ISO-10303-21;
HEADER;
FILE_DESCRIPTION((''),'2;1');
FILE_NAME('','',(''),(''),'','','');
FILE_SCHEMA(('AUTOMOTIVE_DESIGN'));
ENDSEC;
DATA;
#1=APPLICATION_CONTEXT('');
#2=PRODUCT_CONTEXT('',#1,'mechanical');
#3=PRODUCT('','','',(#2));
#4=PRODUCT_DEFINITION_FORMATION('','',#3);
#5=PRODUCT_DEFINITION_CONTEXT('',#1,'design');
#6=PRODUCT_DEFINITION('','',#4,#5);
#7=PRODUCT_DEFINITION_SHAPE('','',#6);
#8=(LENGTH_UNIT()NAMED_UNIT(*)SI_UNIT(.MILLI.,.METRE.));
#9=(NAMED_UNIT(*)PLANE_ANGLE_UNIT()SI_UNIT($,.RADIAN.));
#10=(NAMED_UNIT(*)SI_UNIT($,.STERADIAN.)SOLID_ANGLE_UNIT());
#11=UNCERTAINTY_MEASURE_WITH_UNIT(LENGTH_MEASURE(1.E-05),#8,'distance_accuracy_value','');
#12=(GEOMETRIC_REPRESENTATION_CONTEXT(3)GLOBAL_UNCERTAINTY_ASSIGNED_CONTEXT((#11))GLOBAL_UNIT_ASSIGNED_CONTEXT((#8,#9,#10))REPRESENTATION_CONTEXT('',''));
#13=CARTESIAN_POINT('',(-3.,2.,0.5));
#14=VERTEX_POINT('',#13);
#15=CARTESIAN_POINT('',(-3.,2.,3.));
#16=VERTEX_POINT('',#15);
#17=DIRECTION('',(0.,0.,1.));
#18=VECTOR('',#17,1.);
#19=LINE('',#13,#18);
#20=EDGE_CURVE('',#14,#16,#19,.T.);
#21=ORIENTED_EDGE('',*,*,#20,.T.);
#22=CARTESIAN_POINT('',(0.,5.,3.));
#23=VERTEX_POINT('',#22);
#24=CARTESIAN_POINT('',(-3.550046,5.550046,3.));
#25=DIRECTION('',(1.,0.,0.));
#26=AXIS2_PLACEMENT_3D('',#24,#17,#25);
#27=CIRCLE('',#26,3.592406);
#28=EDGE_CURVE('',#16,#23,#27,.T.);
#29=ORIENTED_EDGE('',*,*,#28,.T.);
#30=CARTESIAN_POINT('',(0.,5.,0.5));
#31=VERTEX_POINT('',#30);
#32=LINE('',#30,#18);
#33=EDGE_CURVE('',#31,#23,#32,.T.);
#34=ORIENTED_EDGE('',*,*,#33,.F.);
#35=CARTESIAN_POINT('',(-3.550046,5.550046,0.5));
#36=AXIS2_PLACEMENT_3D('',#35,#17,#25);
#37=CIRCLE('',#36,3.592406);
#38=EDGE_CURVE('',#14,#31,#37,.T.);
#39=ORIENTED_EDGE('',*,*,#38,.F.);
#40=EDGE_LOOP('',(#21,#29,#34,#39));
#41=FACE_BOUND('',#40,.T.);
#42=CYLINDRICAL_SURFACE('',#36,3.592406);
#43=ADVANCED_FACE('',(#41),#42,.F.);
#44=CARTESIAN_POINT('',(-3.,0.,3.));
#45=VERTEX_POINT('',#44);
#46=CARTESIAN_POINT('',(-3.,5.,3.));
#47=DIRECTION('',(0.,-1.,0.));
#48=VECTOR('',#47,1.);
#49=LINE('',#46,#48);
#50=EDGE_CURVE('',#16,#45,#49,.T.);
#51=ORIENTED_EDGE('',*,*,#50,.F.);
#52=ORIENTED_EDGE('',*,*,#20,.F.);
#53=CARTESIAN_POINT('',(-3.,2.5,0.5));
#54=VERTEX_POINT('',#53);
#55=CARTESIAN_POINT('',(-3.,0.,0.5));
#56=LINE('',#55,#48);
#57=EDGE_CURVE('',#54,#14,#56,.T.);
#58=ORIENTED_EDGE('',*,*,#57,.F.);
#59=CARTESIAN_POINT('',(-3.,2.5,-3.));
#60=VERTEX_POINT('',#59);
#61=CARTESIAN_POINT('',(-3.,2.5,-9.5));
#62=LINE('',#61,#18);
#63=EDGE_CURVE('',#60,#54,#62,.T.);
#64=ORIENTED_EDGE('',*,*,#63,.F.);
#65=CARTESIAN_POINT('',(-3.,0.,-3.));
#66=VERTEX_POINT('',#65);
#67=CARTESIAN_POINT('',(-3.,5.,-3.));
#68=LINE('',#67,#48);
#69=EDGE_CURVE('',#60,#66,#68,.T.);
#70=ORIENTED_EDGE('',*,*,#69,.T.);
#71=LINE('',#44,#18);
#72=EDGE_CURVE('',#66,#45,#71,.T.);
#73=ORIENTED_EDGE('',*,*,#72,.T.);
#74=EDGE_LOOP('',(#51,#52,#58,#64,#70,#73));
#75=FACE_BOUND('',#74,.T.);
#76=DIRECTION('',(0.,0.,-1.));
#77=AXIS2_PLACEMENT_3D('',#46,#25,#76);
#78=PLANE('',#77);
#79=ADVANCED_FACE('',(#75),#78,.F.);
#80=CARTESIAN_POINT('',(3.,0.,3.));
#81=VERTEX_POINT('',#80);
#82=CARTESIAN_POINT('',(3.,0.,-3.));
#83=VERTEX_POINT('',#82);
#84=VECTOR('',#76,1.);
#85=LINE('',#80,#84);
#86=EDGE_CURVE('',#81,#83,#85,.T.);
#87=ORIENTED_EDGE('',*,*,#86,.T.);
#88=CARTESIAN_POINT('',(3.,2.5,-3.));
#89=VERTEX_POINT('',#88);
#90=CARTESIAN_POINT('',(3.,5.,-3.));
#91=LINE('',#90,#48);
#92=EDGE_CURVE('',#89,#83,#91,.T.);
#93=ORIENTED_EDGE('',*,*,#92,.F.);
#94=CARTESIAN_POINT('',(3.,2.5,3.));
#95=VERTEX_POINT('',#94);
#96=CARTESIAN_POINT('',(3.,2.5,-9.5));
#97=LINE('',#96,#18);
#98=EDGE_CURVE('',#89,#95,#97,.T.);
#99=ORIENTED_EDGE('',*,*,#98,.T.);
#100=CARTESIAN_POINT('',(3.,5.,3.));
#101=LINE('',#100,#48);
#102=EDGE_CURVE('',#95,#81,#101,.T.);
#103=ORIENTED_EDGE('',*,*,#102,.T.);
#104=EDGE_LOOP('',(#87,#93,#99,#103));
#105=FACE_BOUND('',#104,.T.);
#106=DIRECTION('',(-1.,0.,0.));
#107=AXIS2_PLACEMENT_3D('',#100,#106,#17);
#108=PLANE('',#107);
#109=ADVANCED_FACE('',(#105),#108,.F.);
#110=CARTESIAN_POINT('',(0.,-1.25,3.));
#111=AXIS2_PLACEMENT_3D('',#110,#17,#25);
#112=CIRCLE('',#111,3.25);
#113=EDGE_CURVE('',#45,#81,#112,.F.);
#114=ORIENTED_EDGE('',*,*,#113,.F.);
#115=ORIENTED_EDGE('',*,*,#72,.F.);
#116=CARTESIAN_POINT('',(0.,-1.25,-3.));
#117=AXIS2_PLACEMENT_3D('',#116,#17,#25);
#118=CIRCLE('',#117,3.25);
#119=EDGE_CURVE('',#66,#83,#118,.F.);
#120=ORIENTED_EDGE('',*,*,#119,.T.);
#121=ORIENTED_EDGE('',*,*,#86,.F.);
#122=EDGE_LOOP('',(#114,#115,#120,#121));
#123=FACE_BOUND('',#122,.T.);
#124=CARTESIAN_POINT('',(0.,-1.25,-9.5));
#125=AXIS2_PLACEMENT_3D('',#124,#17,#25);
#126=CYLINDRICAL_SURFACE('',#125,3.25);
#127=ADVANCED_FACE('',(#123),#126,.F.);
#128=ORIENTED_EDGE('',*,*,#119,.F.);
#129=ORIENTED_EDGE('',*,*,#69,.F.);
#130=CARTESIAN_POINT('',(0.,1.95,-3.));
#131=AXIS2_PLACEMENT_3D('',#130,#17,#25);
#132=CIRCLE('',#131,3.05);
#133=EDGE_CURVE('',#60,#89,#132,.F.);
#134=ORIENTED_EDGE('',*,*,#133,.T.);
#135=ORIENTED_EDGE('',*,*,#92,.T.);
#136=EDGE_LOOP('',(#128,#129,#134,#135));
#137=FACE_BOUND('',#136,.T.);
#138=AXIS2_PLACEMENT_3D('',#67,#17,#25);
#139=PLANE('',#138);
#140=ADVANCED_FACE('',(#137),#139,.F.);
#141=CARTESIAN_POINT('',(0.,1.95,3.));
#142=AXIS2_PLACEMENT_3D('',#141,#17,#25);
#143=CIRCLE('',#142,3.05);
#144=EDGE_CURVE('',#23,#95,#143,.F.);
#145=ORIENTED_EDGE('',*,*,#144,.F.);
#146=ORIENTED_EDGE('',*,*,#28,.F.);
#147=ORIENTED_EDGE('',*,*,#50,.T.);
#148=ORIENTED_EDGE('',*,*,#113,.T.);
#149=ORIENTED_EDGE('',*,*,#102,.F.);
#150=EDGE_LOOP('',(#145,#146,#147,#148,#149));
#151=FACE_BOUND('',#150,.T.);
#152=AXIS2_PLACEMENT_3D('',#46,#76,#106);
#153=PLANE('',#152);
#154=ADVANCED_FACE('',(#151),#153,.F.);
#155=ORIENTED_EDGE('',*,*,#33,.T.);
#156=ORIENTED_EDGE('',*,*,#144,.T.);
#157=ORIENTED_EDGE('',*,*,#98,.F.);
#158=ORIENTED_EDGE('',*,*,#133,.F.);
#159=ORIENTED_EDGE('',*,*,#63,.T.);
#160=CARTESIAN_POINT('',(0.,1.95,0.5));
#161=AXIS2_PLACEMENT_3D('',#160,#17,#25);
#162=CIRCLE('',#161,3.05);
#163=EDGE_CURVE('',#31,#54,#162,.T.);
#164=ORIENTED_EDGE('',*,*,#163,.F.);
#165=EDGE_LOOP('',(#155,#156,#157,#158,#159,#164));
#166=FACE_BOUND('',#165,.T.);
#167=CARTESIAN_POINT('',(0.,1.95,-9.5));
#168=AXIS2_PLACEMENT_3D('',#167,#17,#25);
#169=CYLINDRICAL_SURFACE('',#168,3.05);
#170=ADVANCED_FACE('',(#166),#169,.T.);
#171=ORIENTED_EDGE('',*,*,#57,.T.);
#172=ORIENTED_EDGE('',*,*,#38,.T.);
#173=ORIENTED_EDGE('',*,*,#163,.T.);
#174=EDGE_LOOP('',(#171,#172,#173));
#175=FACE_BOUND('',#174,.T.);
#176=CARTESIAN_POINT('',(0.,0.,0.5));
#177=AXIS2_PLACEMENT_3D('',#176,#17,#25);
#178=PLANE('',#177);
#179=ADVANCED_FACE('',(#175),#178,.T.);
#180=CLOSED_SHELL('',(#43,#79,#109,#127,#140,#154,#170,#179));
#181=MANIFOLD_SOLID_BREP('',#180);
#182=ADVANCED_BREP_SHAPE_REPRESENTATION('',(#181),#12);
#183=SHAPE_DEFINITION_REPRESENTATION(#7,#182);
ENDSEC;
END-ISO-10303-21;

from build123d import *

# Parameters (mm, degrees)
SKETCH1_W           = 6
SKETCH1_H           = 6
BOSS_EXTRUDE1_DEPTH = 5
CUT_EXTRUDE4_DEPTH  = 12.5
CUT_EXTRUDE5_DEPTH  = 2.5


with BuildPart() as part:
    # Sketch1 → Boss-Extrude1 (new body)
    with BuildSketch(Plane(origin=(0, 0, 0), x_dir=(1, 0, 0), z_dir=(0, 1, 0))):
        Rectangle(SKETCH1_W, SKETCH1_H)
    extrude(amount=BOSS_EXTRUDE1_DEPTH)

    # Sketch5 → Cut-Extrude4 (cut)
    with BuildSketch(Plane.XY.offset(3)):
        with BuildLine():
            Line((-3, 5), (-3, 2.5))
            ThreePointArc((-3, 2.5), (-1.952562419, 4.293074903), (0, 5))
            Line((0, 5), (-3, 5))
        make_face()
        with BuildLine():
            ThreePointArc((0, 5), (1.952562419, 4.293074903), (3, 2.5))
            Line((3, 2.5), (3, 5))
            Line((3, 5), (0, 5))
        make_face()
        with BuildLine():
            ThreePointArc((-3, 0), (0, 2), (3, 0))
            Line((3, 0), (-3, 0))
        make_face()
    extrude(amount=-CUT_EXTRUDE4_DEPTH, mode=Mode.SUBTRACT)

    # Sketch6 → Cut-Extrude5 (cut)
    with BuildSketch(Plane.XY.offset(3)):
        with BuildLine():
            ThreePointArc((-3, 2), (-1.009831788, 3.009831788), (0, 5))
            ThreePointArc((0, 5), (-1.952562419, 4.293074903), (-3, 2.5))
            Line((-3, 2.5), (-3, 2))
        make_face()
    extrude(amount=-CUT_EXTRUDE5_DEPTH, mode=Mode.SUBTRACT)


solid = part.part
